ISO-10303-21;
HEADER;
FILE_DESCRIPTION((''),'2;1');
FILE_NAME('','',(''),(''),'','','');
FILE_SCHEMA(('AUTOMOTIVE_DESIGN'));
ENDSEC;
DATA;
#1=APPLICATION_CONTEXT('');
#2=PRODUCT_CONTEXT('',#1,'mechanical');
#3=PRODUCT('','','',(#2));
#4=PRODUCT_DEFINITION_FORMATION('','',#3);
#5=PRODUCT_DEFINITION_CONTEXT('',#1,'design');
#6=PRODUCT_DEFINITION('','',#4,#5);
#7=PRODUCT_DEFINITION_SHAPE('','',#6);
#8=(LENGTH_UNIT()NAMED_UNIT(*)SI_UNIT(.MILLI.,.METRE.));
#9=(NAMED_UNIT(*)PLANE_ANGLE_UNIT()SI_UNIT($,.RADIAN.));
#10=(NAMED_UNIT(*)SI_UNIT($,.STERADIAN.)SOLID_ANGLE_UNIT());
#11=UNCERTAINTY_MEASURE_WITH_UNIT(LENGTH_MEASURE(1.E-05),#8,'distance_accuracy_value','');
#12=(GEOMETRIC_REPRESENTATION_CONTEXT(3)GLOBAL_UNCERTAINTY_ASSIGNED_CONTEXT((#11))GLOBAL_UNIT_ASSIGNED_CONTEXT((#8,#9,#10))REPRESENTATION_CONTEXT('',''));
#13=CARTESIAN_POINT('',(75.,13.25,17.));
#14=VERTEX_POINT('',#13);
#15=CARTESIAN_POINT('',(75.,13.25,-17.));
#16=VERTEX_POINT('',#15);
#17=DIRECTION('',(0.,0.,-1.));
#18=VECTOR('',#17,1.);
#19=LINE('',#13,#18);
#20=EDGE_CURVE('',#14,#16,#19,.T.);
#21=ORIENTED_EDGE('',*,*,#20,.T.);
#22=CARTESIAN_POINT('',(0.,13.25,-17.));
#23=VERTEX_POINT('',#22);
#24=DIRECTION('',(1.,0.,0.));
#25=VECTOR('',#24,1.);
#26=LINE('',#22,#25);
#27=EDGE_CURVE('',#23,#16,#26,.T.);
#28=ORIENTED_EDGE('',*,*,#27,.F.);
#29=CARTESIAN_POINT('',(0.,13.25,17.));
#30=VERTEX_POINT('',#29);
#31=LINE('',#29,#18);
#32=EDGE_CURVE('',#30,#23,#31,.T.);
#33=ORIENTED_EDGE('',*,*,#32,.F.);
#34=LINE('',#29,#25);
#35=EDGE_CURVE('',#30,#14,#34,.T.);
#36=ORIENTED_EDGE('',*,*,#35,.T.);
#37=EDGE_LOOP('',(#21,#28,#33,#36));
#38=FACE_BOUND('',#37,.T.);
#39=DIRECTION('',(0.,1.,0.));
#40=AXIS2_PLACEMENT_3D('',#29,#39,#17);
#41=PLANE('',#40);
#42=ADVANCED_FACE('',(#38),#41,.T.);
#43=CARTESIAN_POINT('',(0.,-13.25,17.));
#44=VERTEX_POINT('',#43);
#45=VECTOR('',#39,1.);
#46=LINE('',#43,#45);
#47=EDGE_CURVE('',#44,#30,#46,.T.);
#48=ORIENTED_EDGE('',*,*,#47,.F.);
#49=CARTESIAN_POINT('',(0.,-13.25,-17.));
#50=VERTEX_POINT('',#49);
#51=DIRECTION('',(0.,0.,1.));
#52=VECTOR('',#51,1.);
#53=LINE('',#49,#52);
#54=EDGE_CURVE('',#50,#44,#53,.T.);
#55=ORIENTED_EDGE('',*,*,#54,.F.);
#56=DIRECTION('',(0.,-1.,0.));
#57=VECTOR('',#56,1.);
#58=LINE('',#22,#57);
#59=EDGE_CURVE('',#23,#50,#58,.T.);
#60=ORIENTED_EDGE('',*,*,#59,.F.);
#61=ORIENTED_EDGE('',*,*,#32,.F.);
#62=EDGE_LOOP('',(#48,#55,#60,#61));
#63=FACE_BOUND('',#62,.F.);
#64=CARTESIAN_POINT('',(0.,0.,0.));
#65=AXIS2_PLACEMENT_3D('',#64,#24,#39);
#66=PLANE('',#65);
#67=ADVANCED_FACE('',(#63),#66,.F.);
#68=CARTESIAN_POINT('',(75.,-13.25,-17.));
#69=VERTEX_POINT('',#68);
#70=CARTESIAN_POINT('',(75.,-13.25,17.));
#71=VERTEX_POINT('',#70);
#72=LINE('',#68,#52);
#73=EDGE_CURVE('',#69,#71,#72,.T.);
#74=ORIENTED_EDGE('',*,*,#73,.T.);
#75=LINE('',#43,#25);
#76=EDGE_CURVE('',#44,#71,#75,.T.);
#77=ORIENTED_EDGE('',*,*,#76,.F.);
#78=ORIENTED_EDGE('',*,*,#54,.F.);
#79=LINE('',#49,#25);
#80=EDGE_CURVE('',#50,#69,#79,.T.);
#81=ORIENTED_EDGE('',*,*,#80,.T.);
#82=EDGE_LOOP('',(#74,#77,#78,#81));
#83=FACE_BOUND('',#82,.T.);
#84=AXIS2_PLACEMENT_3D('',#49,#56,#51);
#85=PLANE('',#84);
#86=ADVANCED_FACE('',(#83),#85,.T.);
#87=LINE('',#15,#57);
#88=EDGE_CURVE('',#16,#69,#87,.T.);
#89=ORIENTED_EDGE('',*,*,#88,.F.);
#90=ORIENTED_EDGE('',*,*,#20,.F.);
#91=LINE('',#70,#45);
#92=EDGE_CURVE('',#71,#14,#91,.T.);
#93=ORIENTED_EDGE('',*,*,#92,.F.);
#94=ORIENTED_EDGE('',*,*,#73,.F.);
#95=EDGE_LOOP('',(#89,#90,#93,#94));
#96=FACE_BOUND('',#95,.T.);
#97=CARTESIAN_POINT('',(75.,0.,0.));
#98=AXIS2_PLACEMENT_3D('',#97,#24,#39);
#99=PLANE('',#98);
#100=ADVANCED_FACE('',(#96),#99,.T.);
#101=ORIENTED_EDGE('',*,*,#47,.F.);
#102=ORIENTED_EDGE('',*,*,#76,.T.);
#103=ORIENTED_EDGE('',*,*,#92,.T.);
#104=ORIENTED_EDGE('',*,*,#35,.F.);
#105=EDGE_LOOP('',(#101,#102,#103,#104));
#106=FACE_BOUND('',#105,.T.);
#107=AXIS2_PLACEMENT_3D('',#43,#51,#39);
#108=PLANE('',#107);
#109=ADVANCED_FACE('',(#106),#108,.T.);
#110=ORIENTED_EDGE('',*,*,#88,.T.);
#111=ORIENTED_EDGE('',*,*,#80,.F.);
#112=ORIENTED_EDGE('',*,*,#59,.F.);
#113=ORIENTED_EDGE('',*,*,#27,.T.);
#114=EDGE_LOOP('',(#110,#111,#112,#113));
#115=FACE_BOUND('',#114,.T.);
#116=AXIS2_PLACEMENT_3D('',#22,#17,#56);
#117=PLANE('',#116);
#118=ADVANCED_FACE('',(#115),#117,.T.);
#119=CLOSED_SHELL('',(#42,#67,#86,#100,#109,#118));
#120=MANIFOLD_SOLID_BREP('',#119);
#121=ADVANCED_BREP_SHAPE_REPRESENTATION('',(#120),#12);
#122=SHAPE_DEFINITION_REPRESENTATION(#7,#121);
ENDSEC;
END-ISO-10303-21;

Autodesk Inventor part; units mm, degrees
ref_plane "YZ Plane" through (0, 0, 0) normal (1, 0, 0) x (0, 1, 0)
ref_plane "XZ Plane" through (0, 0, 0) normal (0, 1, 0) x (-1, 0, 0)
ref_plane "XY Plane" through (0, 0, 0) normal (0, 0, 1) x (1, 0, 0)
sketch "Sketch1" plane through (0, 0, 0) normal (1, 0, 0) x (0, 1, 0)
  line L0 (-13.25, 17) -> (13.25, 17)
  line L1 (13.25, 17) -> (13.25, -17)
  line L2 (13.25, -17) -> (-13.25, -17)
  line L3 (-13.25, -17) -> (-13.25, 17)
  line L4 (-13.25, 17) -> (13.25, -17) construction
  line L5 (13.25, 17) -> (-13.25, -17) construction
  point P0 (0, 0)
  dimension "d0" = 34
  dimension "d1" = 26.5
extrude "Extrusion1" add sketch "Sketch1" along normal blind 75
sketch "Sketch2" plane through (0, 13.25, 17) normal (0, 1, 0) x (1, 0, 0)
  line L0 (3.1206, 23.3836) -> (71.8794, 23.3836) construction
  line L1 (71.8794, 23.3836) -> (71.8794, 10.9341) construction
  line L2 (71.8794, 10.9341) -> (3.1206, 10.9341) construction
  line L3 (3.1206, 10.9341) -> (3.1206, 23.3836) construction
  line L4 (0, 34) -> (75, 34) projected
  line L5 (0, 34) -> (0, 0) projected
  line L6 (75, 34) -> (75, 0) projected
  point P0 (0, 17)
  point P1 (37.5, 34)
  point P2 (37.5, 23.3836)
  point P3 (71.8794, 17.1588)
ref_plane "Work Plane1" through (37.5, 0, 0) normal (1, 0, 0) x (0, 0, -1)
properties part number "battery"
